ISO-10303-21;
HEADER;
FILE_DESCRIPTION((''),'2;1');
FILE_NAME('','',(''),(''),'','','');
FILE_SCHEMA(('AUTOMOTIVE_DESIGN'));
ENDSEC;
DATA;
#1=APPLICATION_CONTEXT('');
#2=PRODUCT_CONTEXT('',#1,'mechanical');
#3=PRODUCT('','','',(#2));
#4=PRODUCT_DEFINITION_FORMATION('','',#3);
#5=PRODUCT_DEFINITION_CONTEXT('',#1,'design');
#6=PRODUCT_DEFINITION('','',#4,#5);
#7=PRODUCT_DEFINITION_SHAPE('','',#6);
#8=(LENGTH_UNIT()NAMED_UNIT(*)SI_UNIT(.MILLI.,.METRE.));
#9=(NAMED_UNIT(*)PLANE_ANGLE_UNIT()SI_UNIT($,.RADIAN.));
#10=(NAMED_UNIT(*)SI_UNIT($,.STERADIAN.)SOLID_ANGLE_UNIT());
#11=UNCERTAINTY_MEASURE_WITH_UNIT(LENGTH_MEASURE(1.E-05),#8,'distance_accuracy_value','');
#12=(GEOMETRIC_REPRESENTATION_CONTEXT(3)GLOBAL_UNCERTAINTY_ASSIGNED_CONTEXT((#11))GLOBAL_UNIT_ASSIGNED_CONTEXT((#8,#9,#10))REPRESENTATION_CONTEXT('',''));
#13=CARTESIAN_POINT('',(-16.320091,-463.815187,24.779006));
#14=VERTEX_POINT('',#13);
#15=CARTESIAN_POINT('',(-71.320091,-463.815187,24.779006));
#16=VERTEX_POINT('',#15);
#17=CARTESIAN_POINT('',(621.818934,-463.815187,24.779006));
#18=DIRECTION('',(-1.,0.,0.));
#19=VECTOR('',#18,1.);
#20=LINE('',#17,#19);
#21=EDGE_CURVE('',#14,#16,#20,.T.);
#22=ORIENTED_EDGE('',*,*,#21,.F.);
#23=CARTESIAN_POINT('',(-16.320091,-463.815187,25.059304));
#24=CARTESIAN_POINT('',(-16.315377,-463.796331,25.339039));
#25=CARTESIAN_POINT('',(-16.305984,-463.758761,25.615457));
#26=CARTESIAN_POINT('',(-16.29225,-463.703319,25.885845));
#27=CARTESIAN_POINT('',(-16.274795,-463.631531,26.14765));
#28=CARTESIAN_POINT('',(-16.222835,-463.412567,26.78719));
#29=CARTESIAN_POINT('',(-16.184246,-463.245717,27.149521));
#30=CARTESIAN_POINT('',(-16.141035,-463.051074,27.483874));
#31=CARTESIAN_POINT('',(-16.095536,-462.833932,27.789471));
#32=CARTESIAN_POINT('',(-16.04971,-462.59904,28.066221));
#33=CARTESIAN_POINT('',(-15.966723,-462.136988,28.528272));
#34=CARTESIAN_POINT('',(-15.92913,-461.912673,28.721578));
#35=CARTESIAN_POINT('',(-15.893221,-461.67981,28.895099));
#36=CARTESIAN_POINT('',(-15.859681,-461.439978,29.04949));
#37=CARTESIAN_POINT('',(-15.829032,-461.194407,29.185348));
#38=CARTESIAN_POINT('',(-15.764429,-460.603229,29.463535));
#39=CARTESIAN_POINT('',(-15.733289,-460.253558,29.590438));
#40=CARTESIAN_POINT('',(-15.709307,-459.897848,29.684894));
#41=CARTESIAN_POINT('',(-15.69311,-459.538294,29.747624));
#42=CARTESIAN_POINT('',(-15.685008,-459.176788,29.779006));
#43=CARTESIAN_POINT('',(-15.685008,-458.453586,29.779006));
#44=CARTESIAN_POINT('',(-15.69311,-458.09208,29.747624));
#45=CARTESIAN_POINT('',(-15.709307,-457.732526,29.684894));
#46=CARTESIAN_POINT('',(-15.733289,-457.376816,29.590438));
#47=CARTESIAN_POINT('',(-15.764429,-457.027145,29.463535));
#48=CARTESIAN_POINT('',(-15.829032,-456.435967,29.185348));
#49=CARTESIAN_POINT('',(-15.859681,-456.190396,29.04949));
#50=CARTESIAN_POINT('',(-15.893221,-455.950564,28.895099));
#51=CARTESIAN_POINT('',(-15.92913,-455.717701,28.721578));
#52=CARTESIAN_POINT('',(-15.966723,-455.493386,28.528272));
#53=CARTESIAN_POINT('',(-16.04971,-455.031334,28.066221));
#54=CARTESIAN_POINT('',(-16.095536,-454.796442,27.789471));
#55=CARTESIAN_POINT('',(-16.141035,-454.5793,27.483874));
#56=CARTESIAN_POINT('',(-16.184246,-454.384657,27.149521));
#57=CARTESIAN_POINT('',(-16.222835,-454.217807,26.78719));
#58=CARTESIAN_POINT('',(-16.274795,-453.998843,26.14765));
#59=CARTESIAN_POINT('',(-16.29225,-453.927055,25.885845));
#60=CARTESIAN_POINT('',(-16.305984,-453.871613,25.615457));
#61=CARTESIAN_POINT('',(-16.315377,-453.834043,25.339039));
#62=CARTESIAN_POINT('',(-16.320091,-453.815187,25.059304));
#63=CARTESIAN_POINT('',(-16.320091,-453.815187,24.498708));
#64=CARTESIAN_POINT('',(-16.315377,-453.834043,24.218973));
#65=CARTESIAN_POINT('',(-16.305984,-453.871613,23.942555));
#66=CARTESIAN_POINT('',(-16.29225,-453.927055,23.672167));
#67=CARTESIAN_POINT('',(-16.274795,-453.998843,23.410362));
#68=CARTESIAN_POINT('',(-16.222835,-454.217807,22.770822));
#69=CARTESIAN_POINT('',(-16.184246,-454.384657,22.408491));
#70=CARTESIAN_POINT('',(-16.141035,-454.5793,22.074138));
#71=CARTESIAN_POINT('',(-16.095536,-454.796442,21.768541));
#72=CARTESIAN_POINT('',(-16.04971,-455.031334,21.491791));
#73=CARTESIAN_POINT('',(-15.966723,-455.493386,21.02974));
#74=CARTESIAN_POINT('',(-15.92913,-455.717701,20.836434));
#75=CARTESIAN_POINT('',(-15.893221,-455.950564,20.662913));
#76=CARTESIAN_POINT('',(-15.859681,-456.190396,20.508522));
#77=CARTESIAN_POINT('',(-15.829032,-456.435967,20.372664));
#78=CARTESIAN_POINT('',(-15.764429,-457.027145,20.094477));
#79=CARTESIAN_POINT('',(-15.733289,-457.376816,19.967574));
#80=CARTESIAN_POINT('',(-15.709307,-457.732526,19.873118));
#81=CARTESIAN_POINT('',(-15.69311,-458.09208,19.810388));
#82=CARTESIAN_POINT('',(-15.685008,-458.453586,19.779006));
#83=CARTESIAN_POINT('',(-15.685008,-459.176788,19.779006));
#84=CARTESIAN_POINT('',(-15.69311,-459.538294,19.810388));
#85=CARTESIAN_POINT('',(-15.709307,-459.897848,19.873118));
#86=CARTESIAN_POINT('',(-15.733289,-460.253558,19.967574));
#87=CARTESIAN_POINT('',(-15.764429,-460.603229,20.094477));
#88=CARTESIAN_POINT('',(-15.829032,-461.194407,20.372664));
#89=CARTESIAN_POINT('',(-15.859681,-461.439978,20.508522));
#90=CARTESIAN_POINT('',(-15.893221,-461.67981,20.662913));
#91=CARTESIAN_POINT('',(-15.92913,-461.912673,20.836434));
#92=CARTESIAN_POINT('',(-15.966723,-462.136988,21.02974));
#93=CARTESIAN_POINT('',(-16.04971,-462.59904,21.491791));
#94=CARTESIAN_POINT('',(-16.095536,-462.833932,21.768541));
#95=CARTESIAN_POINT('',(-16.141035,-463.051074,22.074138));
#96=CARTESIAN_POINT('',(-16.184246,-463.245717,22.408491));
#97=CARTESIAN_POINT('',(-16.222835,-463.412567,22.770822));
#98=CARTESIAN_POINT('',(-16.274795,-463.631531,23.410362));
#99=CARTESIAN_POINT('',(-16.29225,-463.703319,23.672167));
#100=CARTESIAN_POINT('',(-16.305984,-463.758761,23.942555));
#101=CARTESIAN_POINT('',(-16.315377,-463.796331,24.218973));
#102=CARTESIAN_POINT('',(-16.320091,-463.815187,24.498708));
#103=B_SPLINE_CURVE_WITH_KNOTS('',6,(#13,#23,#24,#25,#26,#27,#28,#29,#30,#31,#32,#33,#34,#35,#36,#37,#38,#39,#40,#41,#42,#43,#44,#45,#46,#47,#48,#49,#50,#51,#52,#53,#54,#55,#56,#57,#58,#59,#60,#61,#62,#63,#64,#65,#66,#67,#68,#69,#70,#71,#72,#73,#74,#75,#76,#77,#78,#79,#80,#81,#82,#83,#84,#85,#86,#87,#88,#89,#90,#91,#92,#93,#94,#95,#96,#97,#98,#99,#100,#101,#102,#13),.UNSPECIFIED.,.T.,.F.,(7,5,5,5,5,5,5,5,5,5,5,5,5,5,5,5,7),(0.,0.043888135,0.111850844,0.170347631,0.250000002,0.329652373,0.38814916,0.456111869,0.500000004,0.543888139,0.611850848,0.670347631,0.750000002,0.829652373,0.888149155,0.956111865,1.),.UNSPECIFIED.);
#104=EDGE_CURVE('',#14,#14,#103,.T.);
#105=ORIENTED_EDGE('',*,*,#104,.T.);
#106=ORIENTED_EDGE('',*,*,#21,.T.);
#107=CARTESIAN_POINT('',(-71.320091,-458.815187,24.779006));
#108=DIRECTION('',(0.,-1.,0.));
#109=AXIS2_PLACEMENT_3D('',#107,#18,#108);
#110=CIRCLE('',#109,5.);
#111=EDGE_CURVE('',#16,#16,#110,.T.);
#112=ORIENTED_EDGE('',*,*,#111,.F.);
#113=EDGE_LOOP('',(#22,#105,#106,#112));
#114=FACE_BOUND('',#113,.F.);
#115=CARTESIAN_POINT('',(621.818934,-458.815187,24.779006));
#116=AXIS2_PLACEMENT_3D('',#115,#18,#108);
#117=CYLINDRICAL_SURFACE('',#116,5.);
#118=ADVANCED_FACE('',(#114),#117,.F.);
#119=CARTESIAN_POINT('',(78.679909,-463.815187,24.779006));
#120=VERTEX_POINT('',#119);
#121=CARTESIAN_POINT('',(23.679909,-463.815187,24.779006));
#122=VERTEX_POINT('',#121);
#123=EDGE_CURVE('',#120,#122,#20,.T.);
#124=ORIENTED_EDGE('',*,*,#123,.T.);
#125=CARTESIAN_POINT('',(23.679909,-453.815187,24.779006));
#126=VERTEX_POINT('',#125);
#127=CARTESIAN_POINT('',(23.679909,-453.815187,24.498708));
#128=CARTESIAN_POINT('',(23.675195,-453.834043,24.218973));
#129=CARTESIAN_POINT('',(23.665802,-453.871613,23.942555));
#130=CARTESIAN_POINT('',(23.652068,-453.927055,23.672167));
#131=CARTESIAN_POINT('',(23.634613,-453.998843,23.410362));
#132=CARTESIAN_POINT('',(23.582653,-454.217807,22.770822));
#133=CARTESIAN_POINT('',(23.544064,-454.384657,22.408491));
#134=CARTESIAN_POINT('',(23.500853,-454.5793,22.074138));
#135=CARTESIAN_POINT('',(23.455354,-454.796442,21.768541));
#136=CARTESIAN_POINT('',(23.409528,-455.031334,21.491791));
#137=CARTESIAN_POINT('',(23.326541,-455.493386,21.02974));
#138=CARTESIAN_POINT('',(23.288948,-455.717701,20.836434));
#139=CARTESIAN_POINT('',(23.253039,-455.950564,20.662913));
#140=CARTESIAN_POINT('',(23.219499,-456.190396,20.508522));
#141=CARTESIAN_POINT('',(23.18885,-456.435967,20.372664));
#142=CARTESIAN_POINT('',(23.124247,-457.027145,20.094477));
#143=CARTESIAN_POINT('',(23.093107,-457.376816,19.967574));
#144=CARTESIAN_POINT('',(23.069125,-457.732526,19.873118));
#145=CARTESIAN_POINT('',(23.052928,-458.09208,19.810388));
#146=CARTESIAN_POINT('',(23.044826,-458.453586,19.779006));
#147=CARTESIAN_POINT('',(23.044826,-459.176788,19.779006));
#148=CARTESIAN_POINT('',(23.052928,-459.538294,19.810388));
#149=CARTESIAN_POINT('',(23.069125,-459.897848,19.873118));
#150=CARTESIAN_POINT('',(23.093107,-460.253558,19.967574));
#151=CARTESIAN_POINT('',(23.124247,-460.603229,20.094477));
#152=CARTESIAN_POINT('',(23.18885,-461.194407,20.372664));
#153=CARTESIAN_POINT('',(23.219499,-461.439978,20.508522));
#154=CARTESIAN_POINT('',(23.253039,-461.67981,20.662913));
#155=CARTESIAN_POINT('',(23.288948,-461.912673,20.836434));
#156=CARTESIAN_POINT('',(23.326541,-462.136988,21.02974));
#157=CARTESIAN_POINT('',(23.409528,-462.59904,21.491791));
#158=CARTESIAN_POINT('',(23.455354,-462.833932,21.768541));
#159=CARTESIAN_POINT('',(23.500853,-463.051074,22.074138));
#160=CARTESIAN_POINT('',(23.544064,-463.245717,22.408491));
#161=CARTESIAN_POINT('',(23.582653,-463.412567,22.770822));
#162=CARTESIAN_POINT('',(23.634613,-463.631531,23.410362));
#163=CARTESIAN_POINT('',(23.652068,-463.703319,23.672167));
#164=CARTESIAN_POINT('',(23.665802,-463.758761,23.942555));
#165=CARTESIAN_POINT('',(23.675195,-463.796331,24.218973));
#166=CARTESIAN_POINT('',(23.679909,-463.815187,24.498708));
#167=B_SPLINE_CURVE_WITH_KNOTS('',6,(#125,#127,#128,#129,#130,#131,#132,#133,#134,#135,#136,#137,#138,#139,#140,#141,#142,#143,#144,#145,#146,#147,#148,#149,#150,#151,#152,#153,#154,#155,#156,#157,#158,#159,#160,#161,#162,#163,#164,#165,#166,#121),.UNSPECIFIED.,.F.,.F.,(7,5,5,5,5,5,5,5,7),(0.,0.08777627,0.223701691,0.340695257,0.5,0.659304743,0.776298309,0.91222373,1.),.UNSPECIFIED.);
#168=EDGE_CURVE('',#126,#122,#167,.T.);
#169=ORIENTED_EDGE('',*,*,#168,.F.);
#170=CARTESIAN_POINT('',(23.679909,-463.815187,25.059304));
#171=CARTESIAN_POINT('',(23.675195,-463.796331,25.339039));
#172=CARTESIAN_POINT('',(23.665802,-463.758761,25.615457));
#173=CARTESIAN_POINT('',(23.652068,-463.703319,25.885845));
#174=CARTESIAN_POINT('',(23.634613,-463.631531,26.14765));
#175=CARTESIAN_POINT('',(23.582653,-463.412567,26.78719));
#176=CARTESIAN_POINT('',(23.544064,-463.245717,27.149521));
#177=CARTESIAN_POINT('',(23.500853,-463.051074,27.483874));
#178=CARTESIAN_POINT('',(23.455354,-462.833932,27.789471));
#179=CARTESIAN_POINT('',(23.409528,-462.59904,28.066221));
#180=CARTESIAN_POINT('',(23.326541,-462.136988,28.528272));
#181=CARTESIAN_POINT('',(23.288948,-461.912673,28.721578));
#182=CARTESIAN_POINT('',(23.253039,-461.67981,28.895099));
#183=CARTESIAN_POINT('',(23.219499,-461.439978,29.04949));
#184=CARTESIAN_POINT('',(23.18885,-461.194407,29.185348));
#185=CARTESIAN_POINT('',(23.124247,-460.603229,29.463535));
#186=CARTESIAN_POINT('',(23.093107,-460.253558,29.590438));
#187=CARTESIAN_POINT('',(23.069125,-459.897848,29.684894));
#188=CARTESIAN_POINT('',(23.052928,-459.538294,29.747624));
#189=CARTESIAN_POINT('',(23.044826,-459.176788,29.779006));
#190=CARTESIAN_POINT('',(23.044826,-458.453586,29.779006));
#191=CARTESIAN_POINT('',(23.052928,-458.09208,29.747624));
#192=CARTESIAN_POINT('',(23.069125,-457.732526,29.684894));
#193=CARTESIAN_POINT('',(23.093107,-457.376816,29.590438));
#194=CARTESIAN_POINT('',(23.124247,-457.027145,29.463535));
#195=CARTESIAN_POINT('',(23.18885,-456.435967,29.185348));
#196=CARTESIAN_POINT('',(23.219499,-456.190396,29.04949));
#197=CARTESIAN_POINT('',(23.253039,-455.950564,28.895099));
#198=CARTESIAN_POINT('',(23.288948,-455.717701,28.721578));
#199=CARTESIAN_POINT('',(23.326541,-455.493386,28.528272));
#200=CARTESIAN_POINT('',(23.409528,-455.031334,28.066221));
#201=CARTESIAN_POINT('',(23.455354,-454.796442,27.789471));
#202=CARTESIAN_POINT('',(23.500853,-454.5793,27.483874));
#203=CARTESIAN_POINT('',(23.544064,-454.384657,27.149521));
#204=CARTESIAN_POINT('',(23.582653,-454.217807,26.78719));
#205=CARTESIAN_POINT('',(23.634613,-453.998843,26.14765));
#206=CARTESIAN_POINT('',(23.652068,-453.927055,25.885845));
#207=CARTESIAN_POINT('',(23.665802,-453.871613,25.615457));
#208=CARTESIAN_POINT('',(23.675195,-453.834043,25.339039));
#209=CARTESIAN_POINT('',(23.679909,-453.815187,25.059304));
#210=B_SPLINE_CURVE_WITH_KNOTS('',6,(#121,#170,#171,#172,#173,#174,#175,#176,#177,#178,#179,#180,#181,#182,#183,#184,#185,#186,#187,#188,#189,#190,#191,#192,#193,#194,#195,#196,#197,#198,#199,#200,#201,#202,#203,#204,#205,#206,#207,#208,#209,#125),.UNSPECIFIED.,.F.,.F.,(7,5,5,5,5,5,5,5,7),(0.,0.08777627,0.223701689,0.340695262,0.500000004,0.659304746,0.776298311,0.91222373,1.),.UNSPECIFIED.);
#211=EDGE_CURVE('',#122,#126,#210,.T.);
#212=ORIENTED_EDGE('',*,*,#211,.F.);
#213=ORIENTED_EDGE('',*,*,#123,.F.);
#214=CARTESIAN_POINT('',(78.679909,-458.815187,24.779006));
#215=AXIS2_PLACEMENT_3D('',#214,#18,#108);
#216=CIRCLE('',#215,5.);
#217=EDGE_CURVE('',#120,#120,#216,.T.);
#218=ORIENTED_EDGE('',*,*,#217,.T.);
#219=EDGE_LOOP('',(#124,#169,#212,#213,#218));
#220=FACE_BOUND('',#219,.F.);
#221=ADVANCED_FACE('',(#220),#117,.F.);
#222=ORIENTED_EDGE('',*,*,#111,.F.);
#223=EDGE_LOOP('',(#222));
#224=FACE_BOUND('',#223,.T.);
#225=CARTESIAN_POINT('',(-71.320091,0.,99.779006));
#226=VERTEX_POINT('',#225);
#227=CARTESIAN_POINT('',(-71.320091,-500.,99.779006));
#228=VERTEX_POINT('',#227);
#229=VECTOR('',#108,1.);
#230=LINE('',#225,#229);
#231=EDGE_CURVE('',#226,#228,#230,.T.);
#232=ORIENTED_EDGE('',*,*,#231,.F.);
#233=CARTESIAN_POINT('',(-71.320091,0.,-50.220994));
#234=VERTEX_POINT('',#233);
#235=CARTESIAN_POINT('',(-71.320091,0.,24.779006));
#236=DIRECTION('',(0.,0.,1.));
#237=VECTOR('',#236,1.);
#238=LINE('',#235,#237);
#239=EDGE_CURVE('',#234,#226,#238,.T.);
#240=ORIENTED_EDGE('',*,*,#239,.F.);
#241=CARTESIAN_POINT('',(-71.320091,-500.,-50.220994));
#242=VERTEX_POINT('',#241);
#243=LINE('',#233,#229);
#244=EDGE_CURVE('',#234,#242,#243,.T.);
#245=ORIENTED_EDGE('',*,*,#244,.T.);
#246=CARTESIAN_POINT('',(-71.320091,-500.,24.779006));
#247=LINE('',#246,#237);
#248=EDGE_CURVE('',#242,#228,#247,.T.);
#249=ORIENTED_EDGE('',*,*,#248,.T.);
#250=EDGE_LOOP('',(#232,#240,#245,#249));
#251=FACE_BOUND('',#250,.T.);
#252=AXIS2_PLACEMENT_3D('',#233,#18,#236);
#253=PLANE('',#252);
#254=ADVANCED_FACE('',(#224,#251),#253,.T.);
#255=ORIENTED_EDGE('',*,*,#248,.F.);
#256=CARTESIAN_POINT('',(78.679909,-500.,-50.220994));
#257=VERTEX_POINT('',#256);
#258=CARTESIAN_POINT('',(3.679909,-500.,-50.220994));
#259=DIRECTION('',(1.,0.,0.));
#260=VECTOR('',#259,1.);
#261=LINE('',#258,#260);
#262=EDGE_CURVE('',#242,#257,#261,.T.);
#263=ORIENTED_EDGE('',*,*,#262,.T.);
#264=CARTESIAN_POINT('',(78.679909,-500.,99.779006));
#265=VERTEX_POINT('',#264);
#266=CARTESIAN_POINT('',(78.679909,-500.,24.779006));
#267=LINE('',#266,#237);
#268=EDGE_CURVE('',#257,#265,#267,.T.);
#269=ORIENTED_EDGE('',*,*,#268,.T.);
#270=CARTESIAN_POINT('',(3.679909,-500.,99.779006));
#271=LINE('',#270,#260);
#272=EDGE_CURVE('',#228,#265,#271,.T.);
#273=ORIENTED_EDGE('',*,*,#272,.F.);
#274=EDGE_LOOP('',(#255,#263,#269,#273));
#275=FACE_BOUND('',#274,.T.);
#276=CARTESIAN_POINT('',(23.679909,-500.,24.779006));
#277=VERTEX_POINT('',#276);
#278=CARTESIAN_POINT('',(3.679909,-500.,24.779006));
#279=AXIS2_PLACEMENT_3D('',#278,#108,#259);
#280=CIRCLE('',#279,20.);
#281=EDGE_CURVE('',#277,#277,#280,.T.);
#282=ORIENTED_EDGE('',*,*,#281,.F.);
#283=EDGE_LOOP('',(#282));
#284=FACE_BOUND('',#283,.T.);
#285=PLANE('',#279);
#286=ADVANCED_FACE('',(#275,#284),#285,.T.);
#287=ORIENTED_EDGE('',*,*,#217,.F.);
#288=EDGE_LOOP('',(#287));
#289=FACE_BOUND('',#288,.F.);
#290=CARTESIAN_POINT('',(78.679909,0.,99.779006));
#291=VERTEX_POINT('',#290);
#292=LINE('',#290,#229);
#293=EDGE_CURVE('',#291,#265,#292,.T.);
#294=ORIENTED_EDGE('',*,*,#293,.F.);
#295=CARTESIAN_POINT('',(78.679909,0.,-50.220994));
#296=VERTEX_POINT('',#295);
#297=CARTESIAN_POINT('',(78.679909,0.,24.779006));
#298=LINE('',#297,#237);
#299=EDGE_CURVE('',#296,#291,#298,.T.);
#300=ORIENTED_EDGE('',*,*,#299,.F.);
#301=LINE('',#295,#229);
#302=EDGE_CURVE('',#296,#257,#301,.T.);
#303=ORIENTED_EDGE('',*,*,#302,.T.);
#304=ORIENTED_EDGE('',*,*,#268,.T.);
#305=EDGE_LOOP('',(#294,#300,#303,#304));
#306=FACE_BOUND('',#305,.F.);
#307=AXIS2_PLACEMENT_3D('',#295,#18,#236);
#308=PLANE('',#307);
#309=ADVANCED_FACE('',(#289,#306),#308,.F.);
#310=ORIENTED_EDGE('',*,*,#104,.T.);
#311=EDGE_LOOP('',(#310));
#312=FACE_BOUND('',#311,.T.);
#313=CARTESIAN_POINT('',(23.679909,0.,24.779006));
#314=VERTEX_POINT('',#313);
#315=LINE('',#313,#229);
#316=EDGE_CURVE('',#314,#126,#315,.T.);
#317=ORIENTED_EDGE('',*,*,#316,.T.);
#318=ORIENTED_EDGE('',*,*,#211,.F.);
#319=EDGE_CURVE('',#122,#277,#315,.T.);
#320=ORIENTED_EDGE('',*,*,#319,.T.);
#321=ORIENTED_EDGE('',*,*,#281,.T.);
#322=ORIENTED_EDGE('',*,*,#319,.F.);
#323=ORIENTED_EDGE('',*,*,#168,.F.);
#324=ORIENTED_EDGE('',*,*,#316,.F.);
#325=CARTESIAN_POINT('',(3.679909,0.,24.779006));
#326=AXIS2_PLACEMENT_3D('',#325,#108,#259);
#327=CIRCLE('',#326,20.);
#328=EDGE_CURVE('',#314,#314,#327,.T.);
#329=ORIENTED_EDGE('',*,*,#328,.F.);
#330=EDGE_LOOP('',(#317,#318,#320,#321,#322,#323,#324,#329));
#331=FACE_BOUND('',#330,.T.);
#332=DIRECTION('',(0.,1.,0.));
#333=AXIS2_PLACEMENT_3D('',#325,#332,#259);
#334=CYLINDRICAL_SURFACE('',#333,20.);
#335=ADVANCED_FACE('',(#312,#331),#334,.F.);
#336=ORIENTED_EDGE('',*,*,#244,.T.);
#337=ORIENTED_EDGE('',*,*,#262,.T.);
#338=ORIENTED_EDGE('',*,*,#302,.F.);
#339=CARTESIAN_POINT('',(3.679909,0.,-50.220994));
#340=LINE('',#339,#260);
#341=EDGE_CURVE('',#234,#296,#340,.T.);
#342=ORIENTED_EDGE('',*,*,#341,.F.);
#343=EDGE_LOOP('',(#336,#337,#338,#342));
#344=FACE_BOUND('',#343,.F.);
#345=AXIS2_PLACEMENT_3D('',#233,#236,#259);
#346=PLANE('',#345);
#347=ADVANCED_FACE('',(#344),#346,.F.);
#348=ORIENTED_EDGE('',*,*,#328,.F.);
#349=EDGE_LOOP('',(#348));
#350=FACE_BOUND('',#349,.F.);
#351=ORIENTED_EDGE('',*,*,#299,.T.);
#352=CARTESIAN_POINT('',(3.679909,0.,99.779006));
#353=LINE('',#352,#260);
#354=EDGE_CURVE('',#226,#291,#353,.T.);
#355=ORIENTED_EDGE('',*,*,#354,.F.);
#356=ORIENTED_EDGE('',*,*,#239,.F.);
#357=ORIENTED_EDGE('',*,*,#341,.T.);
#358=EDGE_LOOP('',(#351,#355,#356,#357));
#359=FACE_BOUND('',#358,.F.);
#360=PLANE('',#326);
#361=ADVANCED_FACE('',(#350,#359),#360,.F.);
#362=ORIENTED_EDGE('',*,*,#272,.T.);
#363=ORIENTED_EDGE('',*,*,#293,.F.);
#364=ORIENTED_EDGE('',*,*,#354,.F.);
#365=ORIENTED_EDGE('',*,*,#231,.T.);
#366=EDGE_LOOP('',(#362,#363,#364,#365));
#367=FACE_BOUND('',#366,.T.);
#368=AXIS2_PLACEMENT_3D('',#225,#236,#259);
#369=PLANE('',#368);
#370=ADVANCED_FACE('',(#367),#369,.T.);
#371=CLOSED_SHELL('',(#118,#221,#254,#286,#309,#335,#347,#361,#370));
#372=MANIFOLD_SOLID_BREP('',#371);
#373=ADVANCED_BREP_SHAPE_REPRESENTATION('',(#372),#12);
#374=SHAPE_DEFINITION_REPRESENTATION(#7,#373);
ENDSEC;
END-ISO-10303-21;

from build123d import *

# Parameters (mm, degrees)
F0_W     = 150
F0_H     = 150
F0_R     = 20
F1_DEPTH = 500
F3_D     = 10


with BuildPart() as f1:
    # F0 (on Front) → F1 (new body)
    with BuildSketch(Plane.XZ):
        with Locations((3.679909, 24.779006)):
            Rectangle(F0_W, F0_H)
        with Locations((3.679909, 24.779006)):
            Circle(F0_R, mode=Mode.SUBTRACT)
    extrude(amount=F1_DEPTH)

    # F3 (through all)
    with Locations(Plane.YZ.offset(78.679909)):
        with Locations((-458.815187, 24.779006)):
            Hole(F3_D / 2)


solid = f1.part
